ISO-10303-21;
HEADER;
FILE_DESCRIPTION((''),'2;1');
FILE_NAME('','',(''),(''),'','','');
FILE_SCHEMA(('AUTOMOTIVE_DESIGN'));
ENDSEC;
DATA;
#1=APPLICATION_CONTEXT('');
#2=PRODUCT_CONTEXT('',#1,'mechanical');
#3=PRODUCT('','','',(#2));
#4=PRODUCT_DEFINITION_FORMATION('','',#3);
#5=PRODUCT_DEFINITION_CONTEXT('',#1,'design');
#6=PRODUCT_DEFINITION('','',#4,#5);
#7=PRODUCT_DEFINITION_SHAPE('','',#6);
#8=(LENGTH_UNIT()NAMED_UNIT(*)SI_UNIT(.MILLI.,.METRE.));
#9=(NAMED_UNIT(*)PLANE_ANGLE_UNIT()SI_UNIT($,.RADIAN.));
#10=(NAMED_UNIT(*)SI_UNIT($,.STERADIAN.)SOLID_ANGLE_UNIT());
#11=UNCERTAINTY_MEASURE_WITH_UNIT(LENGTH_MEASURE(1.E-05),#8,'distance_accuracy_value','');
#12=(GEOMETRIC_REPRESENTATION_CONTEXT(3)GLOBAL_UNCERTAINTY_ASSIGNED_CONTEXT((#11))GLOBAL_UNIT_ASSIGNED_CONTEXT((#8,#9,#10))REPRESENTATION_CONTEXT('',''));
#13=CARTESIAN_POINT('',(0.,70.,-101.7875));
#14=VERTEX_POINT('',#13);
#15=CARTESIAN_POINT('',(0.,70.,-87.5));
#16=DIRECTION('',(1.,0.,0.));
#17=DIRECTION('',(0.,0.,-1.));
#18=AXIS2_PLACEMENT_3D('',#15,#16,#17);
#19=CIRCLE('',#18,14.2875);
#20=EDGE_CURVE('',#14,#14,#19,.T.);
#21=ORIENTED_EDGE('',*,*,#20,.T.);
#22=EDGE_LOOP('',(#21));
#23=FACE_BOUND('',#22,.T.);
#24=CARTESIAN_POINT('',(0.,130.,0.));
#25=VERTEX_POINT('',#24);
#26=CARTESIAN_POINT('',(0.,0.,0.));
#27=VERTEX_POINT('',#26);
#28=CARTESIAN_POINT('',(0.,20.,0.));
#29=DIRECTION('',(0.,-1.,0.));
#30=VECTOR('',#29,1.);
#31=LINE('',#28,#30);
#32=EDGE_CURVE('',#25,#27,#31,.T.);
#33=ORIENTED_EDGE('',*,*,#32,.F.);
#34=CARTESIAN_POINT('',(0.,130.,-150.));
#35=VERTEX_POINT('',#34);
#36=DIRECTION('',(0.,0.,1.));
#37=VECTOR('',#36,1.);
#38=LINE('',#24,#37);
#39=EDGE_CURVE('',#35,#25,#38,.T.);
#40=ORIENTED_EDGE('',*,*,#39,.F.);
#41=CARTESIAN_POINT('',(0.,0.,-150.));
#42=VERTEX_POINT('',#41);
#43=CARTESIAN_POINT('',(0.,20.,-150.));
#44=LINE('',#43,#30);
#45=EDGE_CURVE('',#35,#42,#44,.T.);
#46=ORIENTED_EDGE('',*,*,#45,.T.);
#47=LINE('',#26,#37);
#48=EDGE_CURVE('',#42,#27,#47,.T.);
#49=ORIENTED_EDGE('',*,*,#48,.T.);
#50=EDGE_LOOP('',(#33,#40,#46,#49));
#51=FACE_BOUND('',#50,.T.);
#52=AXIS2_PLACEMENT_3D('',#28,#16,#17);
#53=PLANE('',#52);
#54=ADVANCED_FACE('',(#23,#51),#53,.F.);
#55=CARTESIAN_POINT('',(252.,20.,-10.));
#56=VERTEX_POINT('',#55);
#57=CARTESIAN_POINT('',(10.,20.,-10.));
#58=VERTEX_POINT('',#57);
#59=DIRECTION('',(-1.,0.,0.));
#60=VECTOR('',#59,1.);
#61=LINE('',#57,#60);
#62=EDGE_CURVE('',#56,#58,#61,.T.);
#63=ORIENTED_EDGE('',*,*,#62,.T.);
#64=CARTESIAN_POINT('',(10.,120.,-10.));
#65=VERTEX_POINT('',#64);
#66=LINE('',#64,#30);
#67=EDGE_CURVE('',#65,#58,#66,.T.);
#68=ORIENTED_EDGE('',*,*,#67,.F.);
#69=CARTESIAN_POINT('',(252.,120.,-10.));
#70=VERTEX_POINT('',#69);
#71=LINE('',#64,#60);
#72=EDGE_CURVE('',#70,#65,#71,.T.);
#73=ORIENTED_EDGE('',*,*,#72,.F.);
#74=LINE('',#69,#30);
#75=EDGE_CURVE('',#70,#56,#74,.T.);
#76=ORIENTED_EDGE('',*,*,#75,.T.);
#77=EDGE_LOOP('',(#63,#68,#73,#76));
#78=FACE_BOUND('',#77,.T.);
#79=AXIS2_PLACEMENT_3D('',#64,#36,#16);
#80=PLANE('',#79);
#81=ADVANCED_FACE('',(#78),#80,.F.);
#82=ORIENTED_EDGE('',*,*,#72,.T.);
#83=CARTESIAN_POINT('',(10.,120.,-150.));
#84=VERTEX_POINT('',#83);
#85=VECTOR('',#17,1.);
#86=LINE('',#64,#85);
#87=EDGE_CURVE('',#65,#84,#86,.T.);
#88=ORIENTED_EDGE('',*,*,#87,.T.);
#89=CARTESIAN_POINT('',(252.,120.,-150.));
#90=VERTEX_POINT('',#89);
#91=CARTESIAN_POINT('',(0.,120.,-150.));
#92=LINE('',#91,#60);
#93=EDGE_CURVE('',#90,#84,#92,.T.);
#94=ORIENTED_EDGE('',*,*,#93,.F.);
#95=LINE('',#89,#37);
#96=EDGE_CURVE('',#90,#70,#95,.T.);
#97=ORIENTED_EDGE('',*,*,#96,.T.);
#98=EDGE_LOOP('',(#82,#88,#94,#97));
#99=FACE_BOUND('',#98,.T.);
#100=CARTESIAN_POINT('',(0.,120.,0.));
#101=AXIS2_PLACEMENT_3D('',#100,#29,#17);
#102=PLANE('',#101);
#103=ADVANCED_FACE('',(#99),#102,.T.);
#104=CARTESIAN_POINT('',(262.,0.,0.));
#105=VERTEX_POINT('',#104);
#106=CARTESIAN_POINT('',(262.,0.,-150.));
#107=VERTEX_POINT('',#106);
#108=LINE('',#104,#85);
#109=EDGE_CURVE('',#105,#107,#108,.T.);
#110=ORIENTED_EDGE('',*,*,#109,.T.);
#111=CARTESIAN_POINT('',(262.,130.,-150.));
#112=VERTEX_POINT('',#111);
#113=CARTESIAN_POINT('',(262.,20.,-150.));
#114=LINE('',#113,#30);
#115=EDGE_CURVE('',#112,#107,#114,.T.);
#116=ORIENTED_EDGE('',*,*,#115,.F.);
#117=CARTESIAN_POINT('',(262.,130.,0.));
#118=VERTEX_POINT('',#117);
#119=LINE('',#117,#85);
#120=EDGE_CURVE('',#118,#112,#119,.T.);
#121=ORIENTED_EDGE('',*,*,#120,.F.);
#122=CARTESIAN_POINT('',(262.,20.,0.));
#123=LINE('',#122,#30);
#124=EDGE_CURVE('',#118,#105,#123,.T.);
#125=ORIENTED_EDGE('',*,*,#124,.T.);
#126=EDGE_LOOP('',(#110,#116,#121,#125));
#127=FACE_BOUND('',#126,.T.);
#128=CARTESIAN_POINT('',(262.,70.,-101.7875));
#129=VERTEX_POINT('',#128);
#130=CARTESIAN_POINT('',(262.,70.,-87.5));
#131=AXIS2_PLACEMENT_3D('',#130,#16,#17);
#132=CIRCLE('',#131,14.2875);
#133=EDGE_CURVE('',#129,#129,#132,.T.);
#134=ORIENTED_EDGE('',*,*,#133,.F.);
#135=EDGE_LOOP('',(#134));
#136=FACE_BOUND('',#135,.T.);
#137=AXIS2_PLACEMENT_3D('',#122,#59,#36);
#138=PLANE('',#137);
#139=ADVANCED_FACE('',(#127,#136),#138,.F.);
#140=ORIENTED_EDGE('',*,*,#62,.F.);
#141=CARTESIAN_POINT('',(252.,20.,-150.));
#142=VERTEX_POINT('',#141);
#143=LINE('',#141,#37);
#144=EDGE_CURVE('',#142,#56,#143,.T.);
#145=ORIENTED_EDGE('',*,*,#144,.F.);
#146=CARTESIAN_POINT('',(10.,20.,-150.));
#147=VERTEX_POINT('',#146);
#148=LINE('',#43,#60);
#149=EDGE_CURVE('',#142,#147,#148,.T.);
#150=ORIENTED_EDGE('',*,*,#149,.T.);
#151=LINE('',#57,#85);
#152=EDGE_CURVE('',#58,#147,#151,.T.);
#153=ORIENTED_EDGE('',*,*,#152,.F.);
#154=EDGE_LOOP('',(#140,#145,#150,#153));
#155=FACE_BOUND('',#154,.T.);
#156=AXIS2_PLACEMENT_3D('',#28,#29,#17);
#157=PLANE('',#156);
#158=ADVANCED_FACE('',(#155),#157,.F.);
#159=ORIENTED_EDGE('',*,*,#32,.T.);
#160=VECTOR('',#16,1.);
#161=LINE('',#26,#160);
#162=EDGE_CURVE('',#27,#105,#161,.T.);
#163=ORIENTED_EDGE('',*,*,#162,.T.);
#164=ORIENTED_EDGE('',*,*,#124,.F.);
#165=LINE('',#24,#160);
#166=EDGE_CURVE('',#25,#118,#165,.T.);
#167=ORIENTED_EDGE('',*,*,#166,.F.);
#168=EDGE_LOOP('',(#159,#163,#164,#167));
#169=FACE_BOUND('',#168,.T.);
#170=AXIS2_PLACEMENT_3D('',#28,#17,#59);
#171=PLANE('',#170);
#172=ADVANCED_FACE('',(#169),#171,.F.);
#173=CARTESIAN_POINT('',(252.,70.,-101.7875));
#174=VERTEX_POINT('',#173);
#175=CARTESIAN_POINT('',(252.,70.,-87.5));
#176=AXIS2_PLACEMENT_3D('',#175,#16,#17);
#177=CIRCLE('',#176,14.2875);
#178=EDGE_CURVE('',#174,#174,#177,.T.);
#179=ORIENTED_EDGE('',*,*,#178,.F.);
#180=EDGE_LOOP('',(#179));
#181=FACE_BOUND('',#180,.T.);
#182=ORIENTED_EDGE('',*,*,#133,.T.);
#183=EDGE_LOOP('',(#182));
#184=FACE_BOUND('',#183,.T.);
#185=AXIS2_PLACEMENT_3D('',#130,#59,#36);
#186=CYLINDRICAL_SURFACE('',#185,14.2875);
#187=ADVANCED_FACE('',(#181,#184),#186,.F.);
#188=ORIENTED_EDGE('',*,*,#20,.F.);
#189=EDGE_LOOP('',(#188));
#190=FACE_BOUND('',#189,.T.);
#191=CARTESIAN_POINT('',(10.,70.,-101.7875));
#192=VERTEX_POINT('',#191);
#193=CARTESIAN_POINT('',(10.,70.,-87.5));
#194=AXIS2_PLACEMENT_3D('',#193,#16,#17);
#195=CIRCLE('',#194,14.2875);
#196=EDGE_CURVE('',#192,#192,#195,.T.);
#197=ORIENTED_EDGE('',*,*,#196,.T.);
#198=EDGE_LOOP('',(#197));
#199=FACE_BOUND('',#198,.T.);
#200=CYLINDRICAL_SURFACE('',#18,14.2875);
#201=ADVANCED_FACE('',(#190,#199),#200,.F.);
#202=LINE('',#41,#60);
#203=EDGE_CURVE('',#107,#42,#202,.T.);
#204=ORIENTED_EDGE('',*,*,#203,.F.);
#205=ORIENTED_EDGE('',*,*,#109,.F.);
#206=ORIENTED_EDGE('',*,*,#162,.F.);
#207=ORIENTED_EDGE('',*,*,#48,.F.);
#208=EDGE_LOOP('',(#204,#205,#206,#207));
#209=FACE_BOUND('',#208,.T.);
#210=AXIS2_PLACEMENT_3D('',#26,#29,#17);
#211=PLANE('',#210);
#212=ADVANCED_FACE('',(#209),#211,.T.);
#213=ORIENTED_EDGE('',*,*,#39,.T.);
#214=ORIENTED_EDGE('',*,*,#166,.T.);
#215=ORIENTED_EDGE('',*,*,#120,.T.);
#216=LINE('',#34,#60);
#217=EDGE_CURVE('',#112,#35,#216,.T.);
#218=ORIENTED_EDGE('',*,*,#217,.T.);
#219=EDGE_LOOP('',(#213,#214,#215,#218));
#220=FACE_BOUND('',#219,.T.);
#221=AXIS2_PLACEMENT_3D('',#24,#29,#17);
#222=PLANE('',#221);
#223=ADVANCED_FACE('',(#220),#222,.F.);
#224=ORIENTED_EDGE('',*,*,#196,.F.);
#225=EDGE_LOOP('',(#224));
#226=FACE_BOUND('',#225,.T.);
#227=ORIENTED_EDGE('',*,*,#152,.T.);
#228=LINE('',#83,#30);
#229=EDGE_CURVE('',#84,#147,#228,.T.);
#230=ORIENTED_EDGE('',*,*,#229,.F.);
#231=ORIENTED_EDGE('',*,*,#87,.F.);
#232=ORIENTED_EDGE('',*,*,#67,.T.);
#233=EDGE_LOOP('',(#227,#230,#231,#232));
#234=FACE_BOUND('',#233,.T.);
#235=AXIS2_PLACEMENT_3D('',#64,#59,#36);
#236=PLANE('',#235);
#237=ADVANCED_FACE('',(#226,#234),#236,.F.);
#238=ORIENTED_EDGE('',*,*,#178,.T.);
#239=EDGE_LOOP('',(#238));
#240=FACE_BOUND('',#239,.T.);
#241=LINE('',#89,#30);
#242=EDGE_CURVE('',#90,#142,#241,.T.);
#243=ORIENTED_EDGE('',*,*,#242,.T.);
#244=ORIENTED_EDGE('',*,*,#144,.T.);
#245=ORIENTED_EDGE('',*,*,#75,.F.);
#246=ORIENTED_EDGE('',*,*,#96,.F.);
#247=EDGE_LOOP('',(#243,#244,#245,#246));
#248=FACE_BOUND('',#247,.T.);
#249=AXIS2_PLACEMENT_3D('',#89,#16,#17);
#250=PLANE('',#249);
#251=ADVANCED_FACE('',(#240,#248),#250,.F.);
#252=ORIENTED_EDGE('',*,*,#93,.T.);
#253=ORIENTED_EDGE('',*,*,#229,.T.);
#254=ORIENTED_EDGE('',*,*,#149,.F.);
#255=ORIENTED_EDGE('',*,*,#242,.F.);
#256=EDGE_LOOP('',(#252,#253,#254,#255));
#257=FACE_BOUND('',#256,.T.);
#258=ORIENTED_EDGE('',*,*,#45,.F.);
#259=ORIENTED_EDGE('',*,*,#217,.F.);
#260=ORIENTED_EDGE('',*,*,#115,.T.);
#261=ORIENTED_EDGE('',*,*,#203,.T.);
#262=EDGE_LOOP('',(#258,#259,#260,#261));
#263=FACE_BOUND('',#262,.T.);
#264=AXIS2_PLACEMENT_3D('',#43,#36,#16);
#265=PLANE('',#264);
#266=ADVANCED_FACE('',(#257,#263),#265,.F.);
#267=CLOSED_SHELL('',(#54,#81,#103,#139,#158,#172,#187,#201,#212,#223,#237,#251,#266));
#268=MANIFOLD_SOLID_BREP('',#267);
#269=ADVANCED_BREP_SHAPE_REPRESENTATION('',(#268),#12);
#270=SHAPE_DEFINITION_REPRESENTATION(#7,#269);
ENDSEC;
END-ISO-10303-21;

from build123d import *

# Parameters (mm, degrees)
SKETCH1_W           = 262
SKETCH1_H           = 150
BOSS_EXTRUDE1_DEPTH = 20
BOSS_EXTRUDE2_DEPTH = 100
SKETCH3_R           = 14.2875
CUT_EXTRUDE1_DEPTH  = 11
SKETCH4_R           = 14.2875
CUT_EXTRUDE2_DEPTH  = 11
SKETCH5_W           = 262
SKETCH5_H           = 150
BOSS_EXTRUDE4_DEPTH = 10


with BuildPart() as part:
    # Sketch1 → Boss-Extrude1 (new body)
    with BuildSketch(Plane(origin=(0, 0, 0), x_dir=(1, 0, 0), z_dir=(0, 1, 0))):
        with Locations((131, 75)):
            Rectangle(SKETCH1_W, SKETCH1_H)
    extrude(amount=BOSS_EXTRUDE1_DEPTH)

    # Sketch2 → Boss-Extrude2 (add)
    with BuildSketch(Plane(origin=(0, 20, 0), x_dir=(1, 0, 0), z_dir=(0, 1, 0))):
        Polygon((0, 0), (262, 0), (262, 150), (252, 150), (252, 10), (10, 10), (10, 150), (0, 150), align=None)
    extrude(amount=BOSS_EXTRUDE2_DEPTH)

    # Sketch3 → Cut-Extrude1 (cut, through all)
    with BuildSketch(Plane(origin=(10, 0, 0), x_dir=(0, 0, -1), z_dir=(1, 0, 0))):
        with Locations((87.5, 70)):
            Circle(SKETCH3_R)
    extrude(amount=-CUT_EXTRUDE1_DEPTH, mode=Mode.SUBTRACT)

    # Sketch4 → Cut-Extrude2 (cut, through all)
    with BuildSketch(Plane(origin=(252, 0, 0), x_dir=(0, 0, -1), z_dir=(1, 0, 0))):
        with Locations((87.5, 70)):
            Circle(SKETCH4_R)
    extrude(amount=CUT_EXTRUDE2_DEPTH, mode=Mode.SUBTRACT)

    # Sketch5 → Boss-Extrude4 (add)
    with BuildSketch(Plane(origin=(0, 120, 0), x_dir=(1, 0, 0), z_dir=(0, 1, 0))):
        with Locations((131, 75)):
            Rectangle(SKETCH5_W, SKETCH5_H)
    extrude(amount=BOSS_EXTRUDE4_DEPTH)


solid = part.part
